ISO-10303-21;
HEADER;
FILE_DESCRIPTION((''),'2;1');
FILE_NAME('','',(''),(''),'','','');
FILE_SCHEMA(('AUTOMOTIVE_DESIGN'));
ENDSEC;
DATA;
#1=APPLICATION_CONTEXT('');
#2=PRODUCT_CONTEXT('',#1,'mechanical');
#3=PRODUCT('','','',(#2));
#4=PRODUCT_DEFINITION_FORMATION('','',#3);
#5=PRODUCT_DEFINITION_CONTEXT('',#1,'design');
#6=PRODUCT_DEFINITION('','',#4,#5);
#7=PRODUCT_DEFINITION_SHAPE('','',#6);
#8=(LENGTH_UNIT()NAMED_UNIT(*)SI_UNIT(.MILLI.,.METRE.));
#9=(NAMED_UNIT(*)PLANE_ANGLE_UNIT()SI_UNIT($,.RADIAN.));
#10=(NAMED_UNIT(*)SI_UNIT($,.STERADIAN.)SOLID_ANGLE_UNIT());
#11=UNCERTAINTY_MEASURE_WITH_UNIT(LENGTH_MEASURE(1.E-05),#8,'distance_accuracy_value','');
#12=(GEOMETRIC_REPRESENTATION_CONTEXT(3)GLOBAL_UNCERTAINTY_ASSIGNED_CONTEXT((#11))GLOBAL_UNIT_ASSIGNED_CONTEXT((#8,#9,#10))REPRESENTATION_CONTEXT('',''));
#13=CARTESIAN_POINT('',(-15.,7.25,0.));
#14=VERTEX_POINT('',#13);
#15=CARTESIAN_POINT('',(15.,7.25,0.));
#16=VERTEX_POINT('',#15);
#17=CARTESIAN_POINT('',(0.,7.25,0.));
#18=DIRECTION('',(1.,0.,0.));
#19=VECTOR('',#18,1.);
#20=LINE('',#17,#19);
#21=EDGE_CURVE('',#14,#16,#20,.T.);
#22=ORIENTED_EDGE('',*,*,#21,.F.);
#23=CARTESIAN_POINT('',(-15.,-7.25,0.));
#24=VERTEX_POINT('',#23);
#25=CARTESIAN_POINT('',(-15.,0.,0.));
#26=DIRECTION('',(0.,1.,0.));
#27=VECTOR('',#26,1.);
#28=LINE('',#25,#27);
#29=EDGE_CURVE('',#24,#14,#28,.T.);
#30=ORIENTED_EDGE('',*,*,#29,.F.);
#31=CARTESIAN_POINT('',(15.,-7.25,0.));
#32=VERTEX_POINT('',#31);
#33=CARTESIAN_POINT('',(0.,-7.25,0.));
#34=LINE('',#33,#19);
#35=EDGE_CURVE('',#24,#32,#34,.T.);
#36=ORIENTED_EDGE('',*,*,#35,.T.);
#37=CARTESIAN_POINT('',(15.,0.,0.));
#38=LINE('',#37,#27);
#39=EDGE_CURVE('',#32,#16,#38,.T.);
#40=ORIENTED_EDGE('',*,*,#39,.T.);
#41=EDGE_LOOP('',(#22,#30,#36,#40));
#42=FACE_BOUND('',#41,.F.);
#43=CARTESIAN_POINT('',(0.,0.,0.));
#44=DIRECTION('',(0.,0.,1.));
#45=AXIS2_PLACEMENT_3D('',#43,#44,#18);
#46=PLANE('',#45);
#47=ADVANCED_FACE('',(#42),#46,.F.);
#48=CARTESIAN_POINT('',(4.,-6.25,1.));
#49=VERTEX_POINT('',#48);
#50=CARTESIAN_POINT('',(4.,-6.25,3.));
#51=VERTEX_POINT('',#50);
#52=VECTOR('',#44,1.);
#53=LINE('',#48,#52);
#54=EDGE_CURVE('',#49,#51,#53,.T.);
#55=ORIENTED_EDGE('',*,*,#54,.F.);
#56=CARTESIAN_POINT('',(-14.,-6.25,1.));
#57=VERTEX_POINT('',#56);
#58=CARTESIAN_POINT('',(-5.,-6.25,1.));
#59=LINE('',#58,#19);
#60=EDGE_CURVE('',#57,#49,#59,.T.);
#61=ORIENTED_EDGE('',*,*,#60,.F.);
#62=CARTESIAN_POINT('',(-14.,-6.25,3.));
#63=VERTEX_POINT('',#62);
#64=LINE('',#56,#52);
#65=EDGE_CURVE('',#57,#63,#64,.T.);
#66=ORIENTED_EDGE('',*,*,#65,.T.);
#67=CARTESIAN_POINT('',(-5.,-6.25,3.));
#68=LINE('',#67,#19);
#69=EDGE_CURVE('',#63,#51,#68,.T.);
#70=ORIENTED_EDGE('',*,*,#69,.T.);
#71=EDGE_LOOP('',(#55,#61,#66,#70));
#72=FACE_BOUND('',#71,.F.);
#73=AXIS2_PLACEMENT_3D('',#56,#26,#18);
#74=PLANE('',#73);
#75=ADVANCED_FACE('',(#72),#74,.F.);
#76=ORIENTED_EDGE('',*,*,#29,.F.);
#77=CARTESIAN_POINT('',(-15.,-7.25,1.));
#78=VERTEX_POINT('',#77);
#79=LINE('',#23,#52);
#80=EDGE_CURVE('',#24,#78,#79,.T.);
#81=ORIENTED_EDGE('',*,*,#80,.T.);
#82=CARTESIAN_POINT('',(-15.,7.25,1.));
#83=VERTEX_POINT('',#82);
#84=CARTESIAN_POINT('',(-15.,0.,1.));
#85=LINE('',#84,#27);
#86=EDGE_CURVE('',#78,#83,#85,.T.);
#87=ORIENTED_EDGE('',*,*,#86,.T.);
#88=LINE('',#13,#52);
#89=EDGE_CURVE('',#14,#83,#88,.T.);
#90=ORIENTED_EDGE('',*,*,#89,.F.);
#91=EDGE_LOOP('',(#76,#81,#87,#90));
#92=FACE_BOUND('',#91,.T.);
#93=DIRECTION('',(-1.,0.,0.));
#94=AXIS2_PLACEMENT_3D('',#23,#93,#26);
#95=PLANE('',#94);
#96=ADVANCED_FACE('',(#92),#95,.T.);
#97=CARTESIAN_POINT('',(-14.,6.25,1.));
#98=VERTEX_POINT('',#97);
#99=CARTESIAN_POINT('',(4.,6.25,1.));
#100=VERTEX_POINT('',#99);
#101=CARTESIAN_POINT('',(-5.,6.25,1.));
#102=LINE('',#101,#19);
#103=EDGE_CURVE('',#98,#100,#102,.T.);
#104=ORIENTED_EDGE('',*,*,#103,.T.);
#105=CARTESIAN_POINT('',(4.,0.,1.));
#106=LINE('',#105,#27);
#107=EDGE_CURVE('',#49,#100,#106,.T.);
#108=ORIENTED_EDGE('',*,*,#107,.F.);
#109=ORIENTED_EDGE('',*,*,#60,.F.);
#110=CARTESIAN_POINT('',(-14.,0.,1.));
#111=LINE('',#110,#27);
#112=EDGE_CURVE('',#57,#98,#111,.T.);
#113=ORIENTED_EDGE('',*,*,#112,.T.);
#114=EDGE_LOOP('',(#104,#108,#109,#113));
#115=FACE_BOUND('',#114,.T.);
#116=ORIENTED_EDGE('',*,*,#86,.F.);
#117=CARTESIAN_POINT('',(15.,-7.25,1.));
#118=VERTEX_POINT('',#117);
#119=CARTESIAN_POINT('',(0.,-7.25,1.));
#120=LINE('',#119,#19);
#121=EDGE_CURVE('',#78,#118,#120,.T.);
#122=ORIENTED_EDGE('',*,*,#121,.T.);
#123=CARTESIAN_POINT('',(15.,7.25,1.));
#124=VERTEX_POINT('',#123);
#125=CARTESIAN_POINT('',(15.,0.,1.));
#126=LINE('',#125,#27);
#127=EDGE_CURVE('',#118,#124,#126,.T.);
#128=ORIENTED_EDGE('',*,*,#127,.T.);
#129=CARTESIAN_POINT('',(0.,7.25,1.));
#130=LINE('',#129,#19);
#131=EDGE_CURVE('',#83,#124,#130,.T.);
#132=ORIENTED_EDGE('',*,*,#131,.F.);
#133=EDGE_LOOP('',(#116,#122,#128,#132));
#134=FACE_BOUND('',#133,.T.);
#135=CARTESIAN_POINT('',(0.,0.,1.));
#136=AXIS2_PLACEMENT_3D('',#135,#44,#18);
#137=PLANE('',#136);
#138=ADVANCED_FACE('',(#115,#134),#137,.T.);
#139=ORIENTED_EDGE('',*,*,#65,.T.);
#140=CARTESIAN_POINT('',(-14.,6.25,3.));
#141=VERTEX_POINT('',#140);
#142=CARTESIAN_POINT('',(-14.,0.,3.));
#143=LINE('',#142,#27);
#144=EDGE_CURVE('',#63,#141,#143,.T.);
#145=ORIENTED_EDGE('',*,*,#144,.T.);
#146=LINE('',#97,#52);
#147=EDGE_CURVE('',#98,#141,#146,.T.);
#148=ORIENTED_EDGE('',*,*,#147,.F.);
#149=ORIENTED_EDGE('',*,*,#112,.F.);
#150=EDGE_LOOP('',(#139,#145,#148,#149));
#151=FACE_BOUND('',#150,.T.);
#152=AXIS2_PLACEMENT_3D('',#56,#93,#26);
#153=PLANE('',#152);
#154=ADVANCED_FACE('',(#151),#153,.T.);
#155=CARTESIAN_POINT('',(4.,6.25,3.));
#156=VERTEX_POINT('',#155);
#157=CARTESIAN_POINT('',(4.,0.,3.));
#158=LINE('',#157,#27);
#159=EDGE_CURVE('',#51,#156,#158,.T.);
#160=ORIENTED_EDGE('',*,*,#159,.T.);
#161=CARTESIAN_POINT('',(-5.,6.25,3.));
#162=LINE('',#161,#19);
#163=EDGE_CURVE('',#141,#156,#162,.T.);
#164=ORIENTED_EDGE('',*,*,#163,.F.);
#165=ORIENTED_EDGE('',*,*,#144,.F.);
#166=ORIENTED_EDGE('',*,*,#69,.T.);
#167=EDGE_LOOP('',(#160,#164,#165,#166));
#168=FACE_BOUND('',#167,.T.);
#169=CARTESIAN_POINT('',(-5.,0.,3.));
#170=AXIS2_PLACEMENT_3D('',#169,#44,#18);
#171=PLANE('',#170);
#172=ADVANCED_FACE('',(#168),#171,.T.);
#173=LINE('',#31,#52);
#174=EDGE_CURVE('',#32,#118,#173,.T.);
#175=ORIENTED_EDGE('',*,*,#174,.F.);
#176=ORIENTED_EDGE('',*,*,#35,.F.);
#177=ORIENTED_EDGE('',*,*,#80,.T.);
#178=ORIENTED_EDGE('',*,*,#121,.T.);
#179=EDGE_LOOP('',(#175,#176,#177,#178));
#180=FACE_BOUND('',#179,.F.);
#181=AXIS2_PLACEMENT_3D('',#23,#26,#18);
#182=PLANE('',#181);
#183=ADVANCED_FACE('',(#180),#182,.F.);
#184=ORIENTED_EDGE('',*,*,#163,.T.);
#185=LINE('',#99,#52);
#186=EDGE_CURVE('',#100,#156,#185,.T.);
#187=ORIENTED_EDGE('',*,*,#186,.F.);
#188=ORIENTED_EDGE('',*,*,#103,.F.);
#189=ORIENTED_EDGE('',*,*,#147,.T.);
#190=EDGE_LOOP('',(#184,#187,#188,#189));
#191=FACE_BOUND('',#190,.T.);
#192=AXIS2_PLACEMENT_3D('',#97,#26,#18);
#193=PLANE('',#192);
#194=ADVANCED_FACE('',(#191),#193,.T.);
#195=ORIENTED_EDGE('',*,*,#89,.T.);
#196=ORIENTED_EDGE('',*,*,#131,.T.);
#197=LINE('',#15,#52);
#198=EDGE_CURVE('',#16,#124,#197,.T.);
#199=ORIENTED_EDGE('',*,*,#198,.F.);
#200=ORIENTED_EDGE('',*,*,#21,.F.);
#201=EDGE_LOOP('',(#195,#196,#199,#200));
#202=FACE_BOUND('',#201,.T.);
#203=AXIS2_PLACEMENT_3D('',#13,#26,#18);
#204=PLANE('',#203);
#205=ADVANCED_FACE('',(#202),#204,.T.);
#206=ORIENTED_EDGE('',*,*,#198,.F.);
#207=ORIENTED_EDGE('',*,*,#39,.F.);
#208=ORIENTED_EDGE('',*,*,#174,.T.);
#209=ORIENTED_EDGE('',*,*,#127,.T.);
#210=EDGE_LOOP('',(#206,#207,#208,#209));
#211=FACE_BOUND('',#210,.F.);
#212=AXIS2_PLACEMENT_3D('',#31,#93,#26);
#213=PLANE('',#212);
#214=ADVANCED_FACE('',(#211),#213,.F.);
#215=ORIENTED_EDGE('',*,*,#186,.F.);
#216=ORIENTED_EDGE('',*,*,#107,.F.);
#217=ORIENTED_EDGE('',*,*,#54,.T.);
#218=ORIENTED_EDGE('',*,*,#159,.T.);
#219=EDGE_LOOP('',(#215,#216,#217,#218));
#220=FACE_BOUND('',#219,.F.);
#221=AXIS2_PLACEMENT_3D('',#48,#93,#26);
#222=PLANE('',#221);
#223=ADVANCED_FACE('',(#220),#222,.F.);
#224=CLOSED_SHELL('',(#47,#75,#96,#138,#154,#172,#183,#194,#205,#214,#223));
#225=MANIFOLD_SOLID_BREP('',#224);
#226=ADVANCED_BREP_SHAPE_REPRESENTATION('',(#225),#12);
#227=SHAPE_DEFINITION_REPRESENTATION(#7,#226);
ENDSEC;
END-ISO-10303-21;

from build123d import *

# Parameters (mm, degrees)
SKETCH_W     = 30
SKETCH_H     = 14.5
PAD_DEPTH    = 1
SKETCH001_W  = 18
SKETCH001_H  = 12.5
PAD001_DEPTH = 2


with BuildPart() as part:
    # Sketch → Pad (new body)
    with BuildSketch(Plane.XY):
        Rectangle(SKETCH_W, SKETCH_H)
    extrude(amount=PAD_DEPTH)

    # Sketch001 (on Face6 of Pad) → Pad001 (join)
    with BuildSketch(Plane.XY.offset(1)):
        with Locations((-5, 0)):
            Rectangle(SKETCH001_W, SKETCH001_H)
    extrude(amount=PAD001_DEPTH)


solid = part.part
